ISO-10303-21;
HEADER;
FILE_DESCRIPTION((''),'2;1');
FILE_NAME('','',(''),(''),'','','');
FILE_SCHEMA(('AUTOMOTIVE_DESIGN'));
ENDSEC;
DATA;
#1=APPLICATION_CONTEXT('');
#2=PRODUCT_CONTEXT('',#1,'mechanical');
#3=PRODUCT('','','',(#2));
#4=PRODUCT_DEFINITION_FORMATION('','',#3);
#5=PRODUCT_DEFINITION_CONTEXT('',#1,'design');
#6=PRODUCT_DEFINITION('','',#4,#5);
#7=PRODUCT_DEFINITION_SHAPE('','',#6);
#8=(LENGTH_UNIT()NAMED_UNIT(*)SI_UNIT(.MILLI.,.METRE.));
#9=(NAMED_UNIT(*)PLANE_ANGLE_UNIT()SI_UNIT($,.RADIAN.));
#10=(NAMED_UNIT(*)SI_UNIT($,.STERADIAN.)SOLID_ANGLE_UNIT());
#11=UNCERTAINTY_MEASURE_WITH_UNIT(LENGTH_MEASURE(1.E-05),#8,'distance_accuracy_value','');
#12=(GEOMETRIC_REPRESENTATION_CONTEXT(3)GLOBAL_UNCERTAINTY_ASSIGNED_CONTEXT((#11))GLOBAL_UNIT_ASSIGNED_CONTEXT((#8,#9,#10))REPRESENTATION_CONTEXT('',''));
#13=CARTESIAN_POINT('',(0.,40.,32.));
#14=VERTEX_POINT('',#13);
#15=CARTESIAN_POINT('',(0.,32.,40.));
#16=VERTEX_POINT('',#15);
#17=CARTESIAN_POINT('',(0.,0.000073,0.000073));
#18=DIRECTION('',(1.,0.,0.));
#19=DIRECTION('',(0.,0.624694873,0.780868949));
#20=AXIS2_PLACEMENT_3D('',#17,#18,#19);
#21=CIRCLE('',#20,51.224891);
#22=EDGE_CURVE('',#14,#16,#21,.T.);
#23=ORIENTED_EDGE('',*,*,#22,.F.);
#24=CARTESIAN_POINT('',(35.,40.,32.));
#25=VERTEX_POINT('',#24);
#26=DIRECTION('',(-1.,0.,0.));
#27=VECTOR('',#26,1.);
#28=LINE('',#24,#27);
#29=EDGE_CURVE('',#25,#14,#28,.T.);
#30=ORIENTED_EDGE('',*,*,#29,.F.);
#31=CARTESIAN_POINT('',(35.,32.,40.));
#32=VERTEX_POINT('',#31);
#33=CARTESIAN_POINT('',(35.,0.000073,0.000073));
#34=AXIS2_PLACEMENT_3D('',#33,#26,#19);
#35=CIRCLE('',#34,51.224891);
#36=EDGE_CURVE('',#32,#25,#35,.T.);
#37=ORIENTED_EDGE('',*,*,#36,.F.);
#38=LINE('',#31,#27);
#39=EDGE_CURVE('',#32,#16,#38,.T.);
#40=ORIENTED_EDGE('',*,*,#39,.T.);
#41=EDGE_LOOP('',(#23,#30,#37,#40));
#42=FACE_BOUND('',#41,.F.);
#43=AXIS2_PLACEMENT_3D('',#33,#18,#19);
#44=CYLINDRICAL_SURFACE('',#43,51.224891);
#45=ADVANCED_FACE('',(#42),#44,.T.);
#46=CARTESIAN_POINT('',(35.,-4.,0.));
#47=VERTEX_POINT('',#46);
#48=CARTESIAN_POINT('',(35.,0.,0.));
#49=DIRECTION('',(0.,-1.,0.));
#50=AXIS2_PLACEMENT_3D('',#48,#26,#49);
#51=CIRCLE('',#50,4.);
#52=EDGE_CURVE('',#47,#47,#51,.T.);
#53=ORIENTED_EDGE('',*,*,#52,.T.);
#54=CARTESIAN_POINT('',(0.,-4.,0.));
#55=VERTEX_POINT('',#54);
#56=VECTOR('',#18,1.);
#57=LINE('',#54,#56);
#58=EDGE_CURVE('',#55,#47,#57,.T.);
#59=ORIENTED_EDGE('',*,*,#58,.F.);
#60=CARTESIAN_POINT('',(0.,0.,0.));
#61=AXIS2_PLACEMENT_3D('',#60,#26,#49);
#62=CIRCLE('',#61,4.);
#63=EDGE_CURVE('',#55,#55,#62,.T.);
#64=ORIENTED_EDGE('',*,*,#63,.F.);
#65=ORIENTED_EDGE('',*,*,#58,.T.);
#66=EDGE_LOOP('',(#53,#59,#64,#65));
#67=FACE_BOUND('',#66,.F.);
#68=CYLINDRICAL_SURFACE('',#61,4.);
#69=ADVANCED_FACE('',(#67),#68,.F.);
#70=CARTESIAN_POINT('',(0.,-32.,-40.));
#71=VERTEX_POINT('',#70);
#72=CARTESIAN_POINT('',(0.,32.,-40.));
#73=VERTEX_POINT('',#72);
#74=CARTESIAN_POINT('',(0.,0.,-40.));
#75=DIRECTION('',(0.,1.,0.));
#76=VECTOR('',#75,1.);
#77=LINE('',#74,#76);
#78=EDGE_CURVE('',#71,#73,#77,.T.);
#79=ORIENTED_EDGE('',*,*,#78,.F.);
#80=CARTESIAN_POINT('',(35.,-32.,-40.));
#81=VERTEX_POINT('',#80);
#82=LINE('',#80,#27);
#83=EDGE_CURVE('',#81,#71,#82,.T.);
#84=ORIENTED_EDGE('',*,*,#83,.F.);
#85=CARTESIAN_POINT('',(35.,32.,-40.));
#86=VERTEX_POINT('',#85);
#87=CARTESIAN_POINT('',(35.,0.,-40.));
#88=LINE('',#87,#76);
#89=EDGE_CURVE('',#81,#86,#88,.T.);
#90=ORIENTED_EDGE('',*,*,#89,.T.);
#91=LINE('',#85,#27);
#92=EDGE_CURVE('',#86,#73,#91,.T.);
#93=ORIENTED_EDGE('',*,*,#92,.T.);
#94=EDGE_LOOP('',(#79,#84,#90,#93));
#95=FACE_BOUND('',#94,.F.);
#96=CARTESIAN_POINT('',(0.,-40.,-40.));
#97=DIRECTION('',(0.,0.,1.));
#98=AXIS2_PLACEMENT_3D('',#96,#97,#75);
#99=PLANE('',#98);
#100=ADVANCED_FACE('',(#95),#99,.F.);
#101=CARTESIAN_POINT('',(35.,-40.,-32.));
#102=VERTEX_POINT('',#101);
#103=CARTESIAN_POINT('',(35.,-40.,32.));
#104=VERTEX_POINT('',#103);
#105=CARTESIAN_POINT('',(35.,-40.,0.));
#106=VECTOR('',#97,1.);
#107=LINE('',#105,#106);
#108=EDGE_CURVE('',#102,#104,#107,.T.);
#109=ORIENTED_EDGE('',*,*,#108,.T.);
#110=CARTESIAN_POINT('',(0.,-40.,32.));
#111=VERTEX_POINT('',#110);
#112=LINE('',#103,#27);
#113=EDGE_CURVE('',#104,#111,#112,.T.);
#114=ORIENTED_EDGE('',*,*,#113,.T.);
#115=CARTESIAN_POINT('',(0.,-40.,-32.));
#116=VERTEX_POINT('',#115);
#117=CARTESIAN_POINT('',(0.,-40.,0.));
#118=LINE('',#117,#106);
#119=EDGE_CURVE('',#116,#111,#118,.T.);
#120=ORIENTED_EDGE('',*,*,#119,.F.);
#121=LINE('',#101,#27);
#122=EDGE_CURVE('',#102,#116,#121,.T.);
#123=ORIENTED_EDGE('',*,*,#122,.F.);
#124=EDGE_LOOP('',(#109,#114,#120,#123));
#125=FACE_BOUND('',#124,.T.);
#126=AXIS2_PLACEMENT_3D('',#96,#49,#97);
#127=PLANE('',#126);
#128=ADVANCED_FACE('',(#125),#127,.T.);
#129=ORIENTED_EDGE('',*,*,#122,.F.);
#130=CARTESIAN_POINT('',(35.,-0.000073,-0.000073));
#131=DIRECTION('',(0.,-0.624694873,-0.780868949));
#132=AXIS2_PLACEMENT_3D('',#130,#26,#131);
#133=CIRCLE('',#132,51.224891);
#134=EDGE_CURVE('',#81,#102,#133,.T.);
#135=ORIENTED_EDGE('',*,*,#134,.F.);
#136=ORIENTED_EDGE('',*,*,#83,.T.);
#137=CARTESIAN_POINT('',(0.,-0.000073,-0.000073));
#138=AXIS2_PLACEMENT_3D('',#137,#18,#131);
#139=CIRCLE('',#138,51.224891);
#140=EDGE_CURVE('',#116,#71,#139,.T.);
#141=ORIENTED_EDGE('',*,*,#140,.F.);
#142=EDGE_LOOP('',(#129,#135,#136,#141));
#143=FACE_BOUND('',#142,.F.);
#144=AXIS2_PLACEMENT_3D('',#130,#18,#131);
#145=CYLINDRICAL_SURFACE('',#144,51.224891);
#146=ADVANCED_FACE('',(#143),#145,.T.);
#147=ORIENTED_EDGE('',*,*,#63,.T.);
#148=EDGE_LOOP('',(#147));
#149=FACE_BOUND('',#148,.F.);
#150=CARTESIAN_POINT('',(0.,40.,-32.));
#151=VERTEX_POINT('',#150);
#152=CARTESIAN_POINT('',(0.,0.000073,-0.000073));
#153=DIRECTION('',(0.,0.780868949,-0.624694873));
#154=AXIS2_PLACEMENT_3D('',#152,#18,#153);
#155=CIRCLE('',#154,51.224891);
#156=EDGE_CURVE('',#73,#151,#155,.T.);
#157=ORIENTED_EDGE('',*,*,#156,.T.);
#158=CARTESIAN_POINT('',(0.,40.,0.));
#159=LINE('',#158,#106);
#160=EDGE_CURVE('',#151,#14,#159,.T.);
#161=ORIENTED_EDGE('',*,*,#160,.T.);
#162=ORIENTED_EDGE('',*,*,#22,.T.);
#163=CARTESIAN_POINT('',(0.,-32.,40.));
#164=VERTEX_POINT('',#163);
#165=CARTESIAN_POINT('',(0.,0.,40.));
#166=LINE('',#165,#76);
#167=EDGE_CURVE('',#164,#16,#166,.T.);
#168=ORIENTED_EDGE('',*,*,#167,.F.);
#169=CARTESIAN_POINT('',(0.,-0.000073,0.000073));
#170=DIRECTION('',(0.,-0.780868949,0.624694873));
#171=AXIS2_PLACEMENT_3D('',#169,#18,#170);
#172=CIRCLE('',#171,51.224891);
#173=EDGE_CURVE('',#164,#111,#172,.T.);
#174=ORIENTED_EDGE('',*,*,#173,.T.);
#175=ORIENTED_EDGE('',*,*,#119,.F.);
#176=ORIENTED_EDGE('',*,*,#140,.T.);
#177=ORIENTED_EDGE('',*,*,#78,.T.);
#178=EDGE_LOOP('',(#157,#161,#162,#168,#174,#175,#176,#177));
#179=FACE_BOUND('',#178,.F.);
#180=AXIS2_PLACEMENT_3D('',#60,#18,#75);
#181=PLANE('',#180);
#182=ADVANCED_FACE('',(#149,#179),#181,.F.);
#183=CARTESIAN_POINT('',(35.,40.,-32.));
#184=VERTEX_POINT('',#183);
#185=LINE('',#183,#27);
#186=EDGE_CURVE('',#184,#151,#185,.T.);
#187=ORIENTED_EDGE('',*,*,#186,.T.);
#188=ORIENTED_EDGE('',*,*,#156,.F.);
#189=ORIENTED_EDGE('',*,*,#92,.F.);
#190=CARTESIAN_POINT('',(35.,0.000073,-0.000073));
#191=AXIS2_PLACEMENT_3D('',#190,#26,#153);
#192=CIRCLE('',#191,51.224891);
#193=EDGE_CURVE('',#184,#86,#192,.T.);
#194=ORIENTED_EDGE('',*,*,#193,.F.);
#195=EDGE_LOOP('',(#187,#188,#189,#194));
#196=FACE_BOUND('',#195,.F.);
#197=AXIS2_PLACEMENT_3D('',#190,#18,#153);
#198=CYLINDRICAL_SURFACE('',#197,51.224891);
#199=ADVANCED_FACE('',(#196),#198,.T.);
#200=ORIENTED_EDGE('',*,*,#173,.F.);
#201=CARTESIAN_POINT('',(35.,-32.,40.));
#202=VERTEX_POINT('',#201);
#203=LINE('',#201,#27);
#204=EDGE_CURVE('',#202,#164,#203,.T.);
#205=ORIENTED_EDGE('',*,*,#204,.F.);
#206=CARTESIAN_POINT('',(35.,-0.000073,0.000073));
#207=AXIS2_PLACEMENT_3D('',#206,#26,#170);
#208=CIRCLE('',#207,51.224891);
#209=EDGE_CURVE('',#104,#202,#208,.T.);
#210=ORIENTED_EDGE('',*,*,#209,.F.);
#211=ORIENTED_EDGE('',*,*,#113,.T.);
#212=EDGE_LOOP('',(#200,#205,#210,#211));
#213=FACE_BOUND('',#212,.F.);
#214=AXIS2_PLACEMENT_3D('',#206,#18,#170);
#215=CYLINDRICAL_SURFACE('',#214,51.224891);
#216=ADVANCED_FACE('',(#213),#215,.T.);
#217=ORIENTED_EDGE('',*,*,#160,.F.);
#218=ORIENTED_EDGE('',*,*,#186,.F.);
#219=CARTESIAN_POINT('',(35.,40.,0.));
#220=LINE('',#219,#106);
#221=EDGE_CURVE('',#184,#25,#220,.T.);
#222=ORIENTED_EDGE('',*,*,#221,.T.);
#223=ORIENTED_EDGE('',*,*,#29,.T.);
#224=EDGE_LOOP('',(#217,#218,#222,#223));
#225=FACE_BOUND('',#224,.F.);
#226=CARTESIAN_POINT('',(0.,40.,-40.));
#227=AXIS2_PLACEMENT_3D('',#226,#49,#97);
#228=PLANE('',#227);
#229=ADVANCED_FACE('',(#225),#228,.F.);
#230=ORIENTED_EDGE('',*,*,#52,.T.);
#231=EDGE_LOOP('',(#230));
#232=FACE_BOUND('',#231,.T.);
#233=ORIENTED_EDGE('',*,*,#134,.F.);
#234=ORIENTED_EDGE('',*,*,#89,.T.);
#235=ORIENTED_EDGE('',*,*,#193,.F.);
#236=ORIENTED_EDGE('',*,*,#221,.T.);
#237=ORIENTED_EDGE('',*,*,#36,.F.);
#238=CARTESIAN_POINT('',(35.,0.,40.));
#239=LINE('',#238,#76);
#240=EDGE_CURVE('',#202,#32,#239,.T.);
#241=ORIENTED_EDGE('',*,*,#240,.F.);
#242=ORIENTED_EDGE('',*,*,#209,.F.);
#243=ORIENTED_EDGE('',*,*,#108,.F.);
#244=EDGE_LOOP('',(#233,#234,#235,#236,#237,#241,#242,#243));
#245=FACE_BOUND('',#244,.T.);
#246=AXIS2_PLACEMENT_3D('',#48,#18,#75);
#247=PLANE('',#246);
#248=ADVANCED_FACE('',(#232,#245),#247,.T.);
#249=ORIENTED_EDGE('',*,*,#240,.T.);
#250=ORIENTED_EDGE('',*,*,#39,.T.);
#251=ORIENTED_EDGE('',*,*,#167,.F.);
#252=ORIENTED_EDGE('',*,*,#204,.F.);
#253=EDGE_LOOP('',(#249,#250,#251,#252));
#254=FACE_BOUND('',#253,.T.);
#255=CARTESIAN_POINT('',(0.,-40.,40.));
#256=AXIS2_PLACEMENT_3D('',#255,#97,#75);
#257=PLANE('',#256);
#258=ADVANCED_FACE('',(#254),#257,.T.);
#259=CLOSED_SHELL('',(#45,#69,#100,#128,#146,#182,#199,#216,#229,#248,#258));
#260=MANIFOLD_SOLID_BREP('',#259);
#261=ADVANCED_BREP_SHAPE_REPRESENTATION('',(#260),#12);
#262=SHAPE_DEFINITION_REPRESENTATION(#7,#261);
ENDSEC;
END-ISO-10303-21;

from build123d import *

# Parameters (mm, degrees)
F0_W     = 80
F0_H     = 80
F1_DEPTH = 35
F3_DEPTH = 35.001
F4_R     = 4
F5_DEPTH = 35.001


with BuildPart() as f1:
    # F0 (on Right) → F1 (new body)
    with BuildSketch(Plane.YZ):
        Rectangle(F0_W, F0_H)
    extrude(amount=F1_DEPTH)

    # F2 (on face) → F3 (cut, through all)
    with BuildSketch(Plane.YZ.offset(35)):
        with BuildLine():
            ThreePointArc((-40, 32), (-36.221541, 36.221541), (-32, 40))
            Line((-32, 40), (-40, 40))
            Line((-40, 40), (-40, 32))
        make_face()
        with BuildLine():
            ThreePointArc((-32, -40), (-36.221541, -36.221541), (-40, -32))
            Line((-40, -32), (-40, -40))
            Line((-40, -40), (-32, -40))
        make_face()
        with BuildLine():
            ThreePointArc((40, -32), (36.221541, -36.221541), (32, -40))
            Line((32, -40), (40, -40))
            Line((40, -40), (40, -32))
        make_face()
        with BuildLine():
            ThreePointArc((32, 40), (36.221541, 36.221541), (40, 32))
            Line((40, 32), (40, 40))
            Line((40, 40), (32, 40))
        make_face()
    extrude(amount=-F3_DEPTH, mode=Mode.SUBTRACT)

    # F4 (on face) → F5 (cut, through all)
    with BuildSketch(Plane(origin=(0, 0, 0), x_dir=(0, -1, 0), z_dir=(-1, 0, 0))):
        Circle(F4_R)
    extrude(amount=-F5_DEPTH, mode=Mode.SUBTRACT)


solid = f1.part
